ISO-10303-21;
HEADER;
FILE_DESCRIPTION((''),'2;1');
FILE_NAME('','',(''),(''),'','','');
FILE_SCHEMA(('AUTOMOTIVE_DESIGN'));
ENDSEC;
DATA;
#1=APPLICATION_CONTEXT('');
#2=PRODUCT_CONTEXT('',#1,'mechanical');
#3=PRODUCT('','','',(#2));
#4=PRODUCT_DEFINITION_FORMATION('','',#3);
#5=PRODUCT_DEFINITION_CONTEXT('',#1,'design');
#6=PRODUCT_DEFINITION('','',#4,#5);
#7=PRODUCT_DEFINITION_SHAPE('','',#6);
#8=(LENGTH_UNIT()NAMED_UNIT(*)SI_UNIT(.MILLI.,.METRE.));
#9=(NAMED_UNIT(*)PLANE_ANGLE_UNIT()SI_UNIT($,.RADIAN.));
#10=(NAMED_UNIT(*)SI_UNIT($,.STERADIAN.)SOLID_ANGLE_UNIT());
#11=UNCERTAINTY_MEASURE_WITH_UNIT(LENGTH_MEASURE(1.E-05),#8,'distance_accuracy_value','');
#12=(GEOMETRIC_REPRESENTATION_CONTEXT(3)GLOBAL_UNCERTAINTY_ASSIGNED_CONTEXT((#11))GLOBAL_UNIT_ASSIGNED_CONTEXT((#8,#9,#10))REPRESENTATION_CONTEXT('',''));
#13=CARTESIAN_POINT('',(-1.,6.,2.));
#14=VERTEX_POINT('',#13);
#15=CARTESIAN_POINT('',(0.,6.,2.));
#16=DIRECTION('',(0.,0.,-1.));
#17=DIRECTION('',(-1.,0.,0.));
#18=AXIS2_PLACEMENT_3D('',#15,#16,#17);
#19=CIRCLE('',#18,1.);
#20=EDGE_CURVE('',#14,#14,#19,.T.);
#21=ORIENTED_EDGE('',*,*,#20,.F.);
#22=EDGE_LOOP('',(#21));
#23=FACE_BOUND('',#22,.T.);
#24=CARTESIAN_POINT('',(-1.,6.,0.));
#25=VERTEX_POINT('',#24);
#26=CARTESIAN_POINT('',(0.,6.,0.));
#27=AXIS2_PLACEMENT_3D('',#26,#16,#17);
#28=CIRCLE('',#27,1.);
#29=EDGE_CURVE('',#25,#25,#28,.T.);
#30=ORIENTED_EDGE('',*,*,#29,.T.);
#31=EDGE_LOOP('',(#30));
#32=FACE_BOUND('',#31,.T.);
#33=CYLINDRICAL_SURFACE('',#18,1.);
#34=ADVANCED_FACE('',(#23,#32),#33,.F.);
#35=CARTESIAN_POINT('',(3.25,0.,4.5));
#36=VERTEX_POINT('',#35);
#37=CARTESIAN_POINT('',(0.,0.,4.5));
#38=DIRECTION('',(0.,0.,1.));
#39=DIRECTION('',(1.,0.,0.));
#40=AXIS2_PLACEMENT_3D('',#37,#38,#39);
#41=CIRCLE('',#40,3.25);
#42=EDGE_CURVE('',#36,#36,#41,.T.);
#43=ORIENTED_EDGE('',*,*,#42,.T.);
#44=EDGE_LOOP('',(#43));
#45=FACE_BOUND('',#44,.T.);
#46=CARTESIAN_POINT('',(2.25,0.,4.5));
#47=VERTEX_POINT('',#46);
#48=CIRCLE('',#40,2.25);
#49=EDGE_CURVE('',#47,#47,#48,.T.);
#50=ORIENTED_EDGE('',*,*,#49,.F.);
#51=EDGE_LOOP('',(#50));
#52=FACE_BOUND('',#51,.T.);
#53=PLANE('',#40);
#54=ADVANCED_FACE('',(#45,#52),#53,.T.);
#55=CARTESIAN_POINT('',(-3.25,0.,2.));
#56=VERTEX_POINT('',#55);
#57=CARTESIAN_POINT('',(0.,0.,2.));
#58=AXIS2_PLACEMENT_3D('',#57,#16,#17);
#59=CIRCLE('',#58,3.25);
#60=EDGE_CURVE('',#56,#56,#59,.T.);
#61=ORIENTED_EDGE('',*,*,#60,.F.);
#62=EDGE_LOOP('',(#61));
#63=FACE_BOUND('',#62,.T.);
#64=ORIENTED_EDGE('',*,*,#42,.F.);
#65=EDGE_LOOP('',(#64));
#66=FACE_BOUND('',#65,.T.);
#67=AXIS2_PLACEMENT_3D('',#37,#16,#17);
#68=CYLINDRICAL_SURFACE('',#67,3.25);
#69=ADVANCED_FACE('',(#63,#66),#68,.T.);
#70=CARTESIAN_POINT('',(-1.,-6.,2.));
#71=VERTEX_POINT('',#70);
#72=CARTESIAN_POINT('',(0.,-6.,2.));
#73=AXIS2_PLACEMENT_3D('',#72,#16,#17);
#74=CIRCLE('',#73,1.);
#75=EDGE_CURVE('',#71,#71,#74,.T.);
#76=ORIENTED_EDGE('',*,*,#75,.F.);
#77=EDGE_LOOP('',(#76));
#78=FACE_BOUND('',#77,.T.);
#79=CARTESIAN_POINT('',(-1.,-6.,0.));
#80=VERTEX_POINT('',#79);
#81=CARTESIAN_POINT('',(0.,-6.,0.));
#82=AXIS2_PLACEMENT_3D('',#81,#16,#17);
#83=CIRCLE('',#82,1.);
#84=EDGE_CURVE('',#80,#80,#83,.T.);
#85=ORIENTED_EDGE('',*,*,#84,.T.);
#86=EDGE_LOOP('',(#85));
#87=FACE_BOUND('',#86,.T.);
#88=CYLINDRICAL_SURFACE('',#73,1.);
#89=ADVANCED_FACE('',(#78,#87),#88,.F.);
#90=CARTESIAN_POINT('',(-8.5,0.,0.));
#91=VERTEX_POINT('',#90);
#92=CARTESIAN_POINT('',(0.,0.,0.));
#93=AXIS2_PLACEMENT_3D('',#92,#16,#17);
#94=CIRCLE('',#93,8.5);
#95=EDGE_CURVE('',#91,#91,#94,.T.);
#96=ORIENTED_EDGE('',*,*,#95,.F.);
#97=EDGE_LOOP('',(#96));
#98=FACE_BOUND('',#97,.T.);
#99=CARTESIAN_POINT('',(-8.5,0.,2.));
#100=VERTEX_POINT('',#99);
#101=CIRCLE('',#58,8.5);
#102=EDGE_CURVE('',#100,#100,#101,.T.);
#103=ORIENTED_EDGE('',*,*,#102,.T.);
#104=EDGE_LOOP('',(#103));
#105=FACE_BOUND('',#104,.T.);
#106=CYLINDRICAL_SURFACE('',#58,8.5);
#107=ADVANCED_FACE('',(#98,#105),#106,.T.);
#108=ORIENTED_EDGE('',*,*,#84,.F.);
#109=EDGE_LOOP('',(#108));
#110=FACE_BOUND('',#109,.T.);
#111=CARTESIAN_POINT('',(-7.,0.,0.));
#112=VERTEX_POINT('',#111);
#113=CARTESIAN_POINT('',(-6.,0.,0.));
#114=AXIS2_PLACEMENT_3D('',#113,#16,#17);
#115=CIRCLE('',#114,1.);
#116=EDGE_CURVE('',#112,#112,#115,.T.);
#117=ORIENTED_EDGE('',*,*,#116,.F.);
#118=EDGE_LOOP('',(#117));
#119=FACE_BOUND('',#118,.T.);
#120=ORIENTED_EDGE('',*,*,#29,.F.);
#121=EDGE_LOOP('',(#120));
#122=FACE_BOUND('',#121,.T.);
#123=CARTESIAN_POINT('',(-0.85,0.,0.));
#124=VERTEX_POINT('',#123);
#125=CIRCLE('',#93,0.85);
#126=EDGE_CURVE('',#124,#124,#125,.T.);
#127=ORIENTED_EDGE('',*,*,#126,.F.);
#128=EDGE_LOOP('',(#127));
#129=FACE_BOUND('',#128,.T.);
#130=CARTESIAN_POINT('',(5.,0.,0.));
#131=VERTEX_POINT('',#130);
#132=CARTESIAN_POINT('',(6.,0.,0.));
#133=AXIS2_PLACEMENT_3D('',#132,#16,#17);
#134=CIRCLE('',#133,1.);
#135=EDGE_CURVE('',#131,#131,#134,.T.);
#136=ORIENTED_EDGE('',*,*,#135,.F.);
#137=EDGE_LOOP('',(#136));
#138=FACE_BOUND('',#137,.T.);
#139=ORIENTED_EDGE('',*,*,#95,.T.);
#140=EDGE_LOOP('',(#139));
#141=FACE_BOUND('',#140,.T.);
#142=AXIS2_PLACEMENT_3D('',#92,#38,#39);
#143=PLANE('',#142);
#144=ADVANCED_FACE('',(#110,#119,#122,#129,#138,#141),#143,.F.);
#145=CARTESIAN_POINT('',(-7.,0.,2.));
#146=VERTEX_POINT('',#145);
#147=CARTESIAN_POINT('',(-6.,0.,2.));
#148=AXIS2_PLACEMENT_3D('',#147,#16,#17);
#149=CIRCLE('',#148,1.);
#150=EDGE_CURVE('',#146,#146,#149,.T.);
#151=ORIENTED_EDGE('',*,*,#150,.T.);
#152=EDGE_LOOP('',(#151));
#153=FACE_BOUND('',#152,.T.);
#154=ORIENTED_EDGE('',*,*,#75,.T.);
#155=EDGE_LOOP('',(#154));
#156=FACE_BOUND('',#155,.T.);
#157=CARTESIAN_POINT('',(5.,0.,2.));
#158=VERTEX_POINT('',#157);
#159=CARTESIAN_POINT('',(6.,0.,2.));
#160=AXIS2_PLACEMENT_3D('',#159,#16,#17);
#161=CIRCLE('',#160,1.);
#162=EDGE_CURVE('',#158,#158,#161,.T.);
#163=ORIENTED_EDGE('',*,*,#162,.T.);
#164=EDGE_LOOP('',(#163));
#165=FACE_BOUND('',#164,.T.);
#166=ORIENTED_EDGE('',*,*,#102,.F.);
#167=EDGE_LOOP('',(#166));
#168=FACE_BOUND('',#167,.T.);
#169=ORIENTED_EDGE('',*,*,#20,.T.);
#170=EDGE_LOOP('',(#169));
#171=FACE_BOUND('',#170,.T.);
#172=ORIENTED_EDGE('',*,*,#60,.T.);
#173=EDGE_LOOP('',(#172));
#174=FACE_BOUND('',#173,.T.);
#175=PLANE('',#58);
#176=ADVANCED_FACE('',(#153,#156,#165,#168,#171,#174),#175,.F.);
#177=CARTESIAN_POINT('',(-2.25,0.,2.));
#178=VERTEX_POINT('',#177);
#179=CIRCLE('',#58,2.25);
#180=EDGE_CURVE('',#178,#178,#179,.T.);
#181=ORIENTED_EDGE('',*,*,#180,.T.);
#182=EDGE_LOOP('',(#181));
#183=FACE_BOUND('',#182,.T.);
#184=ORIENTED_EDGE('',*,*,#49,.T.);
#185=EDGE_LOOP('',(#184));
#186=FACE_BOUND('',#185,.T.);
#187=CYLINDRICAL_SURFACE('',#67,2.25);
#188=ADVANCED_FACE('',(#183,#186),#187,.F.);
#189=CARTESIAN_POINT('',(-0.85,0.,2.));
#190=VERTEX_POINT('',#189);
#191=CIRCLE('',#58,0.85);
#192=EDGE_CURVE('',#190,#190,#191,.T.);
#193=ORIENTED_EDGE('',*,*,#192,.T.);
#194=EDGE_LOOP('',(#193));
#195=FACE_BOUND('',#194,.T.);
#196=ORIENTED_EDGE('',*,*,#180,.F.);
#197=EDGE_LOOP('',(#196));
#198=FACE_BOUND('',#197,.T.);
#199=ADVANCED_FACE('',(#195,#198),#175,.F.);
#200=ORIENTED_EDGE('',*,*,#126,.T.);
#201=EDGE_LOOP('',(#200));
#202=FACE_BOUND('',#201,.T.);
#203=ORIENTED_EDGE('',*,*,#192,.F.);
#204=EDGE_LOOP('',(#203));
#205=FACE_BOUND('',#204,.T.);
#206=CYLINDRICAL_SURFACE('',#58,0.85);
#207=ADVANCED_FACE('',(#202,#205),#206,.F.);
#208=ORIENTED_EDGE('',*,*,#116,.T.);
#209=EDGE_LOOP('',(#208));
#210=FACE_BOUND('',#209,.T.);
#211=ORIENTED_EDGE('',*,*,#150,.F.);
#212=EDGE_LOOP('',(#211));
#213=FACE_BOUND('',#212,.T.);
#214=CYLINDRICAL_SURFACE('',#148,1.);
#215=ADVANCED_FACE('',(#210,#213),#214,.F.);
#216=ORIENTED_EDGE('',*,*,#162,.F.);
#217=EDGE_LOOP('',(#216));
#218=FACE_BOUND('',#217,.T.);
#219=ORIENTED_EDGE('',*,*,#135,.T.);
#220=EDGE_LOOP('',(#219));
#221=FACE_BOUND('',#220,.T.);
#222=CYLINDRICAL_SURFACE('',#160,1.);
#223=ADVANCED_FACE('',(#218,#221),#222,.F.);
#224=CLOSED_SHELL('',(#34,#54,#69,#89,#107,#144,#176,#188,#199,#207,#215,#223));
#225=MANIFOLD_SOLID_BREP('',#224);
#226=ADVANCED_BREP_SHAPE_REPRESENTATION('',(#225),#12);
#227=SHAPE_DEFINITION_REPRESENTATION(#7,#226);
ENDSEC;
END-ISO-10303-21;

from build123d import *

# Parameters (mm, degrees)
SKETCH1_R           = 3.25
SKETCH1_R_2         = 2.25
BOSS_EXTRUDE1_DEPTH = 4.5
SKETCH2_R           = 8.5
SKETCH2_R_2         = 0.85
SKETCH2_R_3         = 1
BOSS_EXTRUDE2_DEPTH = 2


with BuildPart() as part:
    # Sketch1 → Boss-Extrude1 (new body)
    with BuildSketch(Plane.XY):
        Circle(SKETCH1_R)
        Circle(SKETCH1_R_2, mode=Mode.SUBTRACT)
    extrude(amount=BOSS_EXTRUDE1_DEPTH)

    # Sketch2 → Boss-Extrude2 (add)
    with BuildSketch(Plane(origin=(0, 0, 0), x_dir=(-1, 0, 0), z_dir=(0, 0, -1))):
        Circle(SKETCH2_R)
        Circle(SKETCH2_R_2, mode=Mode.SUBTRACT)
        with Locations((-6, 0)):
            Circle(SKETCH2_R_3, mode=Mode.SUBTRACT)
        with Locations((0, 6)):
            Circle(SKETCH2_R_3, mode=Mode.SUBTRACT)
        with Locations((6, 0)):
            Circle(SKETCH2_R_3, mode=Mode.SUBTRACT)
        with Locations((0, -6)):
            Circle(SKETCH2_R_3, mode=Mode.SUBTRACT)
    extrude(amount=-BOSS_EXTRUDE2_DEPTH)


solid = part.part
